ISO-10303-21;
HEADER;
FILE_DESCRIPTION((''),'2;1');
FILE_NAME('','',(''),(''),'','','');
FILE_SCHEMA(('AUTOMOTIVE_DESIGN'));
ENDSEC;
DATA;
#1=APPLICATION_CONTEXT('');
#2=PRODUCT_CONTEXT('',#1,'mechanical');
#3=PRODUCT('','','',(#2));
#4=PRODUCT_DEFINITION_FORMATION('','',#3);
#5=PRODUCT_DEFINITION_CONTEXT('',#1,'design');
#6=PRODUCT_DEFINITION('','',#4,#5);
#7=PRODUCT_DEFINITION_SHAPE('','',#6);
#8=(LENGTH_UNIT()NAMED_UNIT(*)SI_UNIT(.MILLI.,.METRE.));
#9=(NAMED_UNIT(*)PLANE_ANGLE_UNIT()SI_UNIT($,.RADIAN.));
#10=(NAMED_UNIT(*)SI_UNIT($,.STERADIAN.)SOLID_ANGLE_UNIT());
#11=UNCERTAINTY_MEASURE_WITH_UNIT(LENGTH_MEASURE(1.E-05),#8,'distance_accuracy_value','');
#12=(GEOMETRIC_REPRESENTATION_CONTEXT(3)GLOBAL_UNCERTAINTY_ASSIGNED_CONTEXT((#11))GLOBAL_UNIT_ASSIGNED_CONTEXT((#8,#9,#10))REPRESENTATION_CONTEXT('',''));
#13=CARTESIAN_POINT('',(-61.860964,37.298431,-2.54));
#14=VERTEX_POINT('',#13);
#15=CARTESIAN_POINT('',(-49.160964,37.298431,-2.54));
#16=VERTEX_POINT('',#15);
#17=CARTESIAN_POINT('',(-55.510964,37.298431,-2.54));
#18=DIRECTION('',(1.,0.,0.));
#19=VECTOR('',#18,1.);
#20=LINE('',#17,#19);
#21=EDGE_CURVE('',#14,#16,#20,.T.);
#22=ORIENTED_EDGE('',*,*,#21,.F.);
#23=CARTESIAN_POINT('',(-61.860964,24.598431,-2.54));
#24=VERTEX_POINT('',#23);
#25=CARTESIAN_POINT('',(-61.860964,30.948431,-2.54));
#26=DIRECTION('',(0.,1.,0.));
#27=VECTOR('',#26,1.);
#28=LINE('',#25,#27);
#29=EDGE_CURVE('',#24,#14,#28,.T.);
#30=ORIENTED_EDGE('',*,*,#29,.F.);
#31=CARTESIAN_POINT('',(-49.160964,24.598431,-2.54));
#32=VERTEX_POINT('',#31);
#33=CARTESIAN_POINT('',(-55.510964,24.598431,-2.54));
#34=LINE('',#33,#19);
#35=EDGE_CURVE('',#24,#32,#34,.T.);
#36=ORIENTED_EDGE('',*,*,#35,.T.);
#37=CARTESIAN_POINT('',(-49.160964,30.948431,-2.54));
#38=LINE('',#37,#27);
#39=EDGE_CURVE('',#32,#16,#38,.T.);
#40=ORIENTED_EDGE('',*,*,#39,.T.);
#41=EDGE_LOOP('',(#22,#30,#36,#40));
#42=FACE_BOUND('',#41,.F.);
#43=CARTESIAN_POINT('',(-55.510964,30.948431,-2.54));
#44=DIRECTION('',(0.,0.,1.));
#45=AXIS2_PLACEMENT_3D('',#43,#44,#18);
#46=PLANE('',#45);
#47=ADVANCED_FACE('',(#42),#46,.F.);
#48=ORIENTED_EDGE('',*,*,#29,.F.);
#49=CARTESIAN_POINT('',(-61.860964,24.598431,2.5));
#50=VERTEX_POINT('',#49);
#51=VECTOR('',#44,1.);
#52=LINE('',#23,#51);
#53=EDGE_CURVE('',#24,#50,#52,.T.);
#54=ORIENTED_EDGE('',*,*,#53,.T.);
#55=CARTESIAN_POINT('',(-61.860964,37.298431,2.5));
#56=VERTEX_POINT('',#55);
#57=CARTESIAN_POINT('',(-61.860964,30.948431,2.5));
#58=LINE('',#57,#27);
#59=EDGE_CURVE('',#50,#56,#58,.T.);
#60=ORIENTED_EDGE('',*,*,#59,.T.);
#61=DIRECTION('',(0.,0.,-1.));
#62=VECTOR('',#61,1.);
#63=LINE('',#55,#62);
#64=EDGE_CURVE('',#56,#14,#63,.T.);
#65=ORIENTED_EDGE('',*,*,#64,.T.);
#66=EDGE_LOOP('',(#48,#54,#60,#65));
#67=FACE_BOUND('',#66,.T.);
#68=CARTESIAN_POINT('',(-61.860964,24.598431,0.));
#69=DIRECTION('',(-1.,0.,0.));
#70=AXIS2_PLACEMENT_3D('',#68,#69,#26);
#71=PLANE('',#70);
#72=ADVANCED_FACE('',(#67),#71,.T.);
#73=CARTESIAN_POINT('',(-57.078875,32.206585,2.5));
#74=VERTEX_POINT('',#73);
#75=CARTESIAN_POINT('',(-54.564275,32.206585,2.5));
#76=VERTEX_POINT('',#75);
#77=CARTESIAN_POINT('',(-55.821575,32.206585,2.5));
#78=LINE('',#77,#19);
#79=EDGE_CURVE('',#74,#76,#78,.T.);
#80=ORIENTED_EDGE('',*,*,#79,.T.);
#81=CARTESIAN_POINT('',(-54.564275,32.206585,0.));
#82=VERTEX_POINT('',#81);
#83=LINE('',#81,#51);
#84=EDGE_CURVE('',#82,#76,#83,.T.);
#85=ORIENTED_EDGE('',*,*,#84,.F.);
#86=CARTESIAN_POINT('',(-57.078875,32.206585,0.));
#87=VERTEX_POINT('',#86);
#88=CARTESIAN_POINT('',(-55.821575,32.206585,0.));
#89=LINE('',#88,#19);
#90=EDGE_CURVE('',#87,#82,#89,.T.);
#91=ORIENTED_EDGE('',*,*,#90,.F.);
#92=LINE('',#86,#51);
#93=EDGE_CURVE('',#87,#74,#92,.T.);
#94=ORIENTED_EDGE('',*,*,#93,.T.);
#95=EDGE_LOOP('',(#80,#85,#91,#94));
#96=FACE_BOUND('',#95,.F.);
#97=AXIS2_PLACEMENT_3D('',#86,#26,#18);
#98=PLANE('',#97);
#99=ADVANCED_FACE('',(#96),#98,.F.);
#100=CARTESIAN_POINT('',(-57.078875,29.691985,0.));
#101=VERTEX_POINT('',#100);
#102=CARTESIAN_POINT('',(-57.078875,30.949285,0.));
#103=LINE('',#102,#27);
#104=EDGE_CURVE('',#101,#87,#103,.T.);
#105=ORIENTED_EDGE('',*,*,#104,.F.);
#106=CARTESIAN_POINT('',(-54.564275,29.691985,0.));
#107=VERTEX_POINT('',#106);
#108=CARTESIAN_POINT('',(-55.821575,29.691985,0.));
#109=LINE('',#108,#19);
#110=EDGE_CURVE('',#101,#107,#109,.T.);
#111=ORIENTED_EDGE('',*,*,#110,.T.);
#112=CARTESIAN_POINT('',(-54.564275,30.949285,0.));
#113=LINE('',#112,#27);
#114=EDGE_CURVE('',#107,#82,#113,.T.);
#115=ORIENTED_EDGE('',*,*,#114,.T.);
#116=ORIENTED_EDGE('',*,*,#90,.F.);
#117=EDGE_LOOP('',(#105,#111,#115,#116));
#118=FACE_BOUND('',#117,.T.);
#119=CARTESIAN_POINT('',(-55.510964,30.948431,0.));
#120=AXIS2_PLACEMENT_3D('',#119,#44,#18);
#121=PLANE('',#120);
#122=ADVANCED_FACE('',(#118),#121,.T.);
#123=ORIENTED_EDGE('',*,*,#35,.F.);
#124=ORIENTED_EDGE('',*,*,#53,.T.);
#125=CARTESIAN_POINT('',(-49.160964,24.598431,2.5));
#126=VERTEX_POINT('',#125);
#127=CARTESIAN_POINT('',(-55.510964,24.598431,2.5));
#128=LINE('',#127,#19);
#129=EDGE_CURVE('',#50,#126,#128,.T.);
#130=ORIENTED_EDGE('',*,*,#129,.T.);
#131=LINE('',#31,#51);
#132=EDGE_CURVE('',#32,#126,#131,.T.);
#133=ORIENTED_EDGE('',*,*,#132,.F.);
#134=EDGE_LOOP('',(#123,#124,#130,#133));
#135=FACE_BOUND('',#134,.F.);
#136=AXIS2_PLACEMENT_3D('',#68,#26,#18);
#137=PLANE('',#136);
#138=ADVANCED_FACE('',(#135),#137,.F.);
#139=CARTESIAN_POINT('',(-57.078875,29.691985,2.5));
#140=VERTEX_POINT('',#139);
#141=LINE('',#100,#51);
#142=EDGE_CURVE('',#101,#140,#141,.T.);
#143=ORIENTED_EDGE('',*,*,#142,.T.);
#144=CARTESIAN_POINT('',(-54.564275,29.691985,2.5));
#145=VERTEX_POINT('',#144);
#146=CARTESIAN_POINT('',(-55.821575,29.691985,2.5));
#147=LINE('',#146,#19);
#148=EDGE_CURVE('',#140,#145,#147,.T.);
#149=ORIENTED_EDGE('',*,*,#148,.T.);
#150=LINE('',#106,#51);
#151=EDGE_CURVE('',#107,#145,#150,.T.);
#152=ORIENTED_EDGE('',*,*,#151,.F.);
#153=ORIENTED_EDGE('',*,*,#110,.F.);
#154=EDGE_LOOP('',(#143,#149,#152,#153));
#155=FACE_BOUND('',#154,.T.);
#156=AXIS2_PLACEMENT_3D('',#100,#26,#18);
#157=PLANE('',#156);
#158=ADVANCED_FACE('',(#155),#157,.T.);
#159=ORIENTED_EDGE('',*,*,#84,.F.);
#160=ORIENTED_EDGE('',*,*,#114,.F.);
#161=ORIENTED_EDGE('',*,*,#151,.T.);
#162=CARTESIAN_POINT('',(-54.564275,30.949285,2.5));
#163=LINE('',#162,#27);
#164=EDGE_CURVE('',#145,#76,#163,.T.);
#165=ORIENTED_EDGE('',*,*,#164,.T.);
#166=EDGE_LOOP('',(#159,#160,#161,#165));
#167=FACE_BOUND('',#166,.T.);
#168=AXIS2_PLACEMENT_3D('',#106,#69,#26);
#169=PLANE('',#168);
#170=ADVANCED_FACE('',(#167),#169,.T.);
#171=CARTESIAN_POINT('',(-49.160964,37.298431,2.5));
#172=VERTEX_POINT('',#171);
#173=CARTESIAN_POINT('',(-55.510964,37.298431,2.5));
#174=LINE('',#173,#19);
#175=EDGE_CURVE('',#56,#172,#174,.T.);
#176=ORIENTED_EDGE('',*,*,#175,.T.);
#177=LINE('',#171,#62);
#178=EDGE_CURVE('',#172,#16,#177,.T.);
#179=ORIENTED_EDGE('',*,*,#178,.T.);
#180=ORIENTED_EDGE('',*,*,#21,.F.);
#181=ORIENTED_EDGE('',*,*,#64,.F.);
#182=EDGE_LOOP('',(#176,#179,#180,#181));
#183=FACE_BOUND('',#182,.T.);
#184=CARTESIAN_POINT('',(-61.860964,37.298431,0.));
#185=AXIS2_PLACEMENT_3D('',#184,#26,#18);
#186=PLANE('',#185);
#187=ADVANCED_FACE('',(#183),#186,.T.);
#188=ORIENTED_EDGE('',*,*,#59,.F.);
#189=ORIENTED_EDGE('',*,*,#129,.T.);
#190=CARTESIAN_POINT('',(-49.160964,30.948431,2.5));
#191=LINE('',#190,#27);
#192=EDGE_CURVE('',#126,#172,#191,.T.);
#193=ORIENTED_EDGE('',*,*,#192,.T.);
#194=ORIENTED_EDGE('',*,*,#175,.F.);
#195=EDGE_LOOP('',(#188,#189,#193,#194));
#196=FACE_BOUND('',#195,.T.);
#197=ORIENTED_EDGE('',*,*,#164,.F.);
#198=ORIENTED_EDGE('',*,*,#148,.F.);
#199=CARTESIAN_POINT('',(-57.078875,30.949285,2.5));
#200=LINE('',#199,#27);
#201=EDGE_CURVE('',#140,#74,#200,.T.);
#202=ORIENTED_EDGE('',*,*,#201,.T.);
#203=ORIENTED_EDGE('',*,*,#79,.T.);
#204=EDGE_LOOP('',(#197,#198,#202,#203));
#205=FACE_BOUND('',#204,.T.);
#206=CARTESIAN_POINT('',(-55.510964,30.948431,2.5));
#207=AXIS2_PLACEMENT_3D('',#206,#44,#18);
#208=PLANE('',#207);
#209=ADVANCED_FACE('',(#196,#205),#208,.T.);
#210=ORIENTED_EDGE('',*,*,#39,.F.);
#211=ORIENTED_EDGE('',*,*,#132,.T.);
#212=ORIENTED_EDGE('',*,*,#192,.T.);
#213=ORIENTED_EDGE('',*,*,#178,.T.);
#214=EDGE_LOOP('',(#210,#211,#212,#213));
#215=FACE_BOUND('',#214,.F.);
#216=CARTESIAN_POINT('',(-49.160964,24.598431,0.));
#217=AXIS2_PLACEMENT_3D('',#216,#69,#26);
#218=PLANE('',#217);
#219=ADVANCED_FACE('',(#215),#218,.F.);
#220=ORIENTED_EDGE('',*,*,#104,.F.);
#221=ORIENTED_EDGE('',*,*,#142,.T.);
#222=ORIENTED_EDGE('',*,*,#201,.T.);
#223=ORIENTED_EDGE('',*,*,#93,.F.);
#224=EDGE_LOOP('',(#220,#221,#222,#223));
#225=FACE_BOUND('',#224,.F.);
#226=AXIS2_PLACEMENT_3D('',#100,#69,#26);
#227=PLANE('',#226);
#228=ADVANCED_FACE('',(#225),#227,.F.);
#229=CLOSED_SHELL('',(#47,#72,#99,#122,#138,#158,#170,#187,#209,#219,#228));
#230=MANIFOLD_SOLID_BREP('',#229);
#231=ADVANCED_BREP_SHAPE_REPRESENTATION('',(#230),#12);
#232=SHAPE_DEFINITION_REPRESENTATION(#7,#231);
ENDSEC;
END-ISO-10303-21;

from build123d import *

# Parameters (mm, degrees)
F0_W     = 12.7
F0_H     = 12.7
F1_DEPTH = 2.54
F2_W     = 12.7
F2_H     = 12.7
F2_W_2   = 2.5146
F2_H_2   = 2.5146
F3_DEPTH = 2.5


with BuildPart() as f1:
    # F0 (on Top) → F1 (new body)
    with BuildSketch(Plane.XY):
        with Locations((-55.510964, 30.948431)):
            Rectangle(F0_W, F0_H)
    extrude(amount=-F1_DEPTH)

    # F2 (on face) → F3 (join)
    with BuildSketch(Plane.XY):
        with Locations((-55.510964, 30.948431)):
            Rectangle(F2_W, F2_H)
        with Locations((-55.821575, 30.949285)):
            Rectangle(F2_W_2, F2_H_2, mode=Mode.SUBTRACT)
    extrude(amount=F3_DEPTH)


solid = f1.part
